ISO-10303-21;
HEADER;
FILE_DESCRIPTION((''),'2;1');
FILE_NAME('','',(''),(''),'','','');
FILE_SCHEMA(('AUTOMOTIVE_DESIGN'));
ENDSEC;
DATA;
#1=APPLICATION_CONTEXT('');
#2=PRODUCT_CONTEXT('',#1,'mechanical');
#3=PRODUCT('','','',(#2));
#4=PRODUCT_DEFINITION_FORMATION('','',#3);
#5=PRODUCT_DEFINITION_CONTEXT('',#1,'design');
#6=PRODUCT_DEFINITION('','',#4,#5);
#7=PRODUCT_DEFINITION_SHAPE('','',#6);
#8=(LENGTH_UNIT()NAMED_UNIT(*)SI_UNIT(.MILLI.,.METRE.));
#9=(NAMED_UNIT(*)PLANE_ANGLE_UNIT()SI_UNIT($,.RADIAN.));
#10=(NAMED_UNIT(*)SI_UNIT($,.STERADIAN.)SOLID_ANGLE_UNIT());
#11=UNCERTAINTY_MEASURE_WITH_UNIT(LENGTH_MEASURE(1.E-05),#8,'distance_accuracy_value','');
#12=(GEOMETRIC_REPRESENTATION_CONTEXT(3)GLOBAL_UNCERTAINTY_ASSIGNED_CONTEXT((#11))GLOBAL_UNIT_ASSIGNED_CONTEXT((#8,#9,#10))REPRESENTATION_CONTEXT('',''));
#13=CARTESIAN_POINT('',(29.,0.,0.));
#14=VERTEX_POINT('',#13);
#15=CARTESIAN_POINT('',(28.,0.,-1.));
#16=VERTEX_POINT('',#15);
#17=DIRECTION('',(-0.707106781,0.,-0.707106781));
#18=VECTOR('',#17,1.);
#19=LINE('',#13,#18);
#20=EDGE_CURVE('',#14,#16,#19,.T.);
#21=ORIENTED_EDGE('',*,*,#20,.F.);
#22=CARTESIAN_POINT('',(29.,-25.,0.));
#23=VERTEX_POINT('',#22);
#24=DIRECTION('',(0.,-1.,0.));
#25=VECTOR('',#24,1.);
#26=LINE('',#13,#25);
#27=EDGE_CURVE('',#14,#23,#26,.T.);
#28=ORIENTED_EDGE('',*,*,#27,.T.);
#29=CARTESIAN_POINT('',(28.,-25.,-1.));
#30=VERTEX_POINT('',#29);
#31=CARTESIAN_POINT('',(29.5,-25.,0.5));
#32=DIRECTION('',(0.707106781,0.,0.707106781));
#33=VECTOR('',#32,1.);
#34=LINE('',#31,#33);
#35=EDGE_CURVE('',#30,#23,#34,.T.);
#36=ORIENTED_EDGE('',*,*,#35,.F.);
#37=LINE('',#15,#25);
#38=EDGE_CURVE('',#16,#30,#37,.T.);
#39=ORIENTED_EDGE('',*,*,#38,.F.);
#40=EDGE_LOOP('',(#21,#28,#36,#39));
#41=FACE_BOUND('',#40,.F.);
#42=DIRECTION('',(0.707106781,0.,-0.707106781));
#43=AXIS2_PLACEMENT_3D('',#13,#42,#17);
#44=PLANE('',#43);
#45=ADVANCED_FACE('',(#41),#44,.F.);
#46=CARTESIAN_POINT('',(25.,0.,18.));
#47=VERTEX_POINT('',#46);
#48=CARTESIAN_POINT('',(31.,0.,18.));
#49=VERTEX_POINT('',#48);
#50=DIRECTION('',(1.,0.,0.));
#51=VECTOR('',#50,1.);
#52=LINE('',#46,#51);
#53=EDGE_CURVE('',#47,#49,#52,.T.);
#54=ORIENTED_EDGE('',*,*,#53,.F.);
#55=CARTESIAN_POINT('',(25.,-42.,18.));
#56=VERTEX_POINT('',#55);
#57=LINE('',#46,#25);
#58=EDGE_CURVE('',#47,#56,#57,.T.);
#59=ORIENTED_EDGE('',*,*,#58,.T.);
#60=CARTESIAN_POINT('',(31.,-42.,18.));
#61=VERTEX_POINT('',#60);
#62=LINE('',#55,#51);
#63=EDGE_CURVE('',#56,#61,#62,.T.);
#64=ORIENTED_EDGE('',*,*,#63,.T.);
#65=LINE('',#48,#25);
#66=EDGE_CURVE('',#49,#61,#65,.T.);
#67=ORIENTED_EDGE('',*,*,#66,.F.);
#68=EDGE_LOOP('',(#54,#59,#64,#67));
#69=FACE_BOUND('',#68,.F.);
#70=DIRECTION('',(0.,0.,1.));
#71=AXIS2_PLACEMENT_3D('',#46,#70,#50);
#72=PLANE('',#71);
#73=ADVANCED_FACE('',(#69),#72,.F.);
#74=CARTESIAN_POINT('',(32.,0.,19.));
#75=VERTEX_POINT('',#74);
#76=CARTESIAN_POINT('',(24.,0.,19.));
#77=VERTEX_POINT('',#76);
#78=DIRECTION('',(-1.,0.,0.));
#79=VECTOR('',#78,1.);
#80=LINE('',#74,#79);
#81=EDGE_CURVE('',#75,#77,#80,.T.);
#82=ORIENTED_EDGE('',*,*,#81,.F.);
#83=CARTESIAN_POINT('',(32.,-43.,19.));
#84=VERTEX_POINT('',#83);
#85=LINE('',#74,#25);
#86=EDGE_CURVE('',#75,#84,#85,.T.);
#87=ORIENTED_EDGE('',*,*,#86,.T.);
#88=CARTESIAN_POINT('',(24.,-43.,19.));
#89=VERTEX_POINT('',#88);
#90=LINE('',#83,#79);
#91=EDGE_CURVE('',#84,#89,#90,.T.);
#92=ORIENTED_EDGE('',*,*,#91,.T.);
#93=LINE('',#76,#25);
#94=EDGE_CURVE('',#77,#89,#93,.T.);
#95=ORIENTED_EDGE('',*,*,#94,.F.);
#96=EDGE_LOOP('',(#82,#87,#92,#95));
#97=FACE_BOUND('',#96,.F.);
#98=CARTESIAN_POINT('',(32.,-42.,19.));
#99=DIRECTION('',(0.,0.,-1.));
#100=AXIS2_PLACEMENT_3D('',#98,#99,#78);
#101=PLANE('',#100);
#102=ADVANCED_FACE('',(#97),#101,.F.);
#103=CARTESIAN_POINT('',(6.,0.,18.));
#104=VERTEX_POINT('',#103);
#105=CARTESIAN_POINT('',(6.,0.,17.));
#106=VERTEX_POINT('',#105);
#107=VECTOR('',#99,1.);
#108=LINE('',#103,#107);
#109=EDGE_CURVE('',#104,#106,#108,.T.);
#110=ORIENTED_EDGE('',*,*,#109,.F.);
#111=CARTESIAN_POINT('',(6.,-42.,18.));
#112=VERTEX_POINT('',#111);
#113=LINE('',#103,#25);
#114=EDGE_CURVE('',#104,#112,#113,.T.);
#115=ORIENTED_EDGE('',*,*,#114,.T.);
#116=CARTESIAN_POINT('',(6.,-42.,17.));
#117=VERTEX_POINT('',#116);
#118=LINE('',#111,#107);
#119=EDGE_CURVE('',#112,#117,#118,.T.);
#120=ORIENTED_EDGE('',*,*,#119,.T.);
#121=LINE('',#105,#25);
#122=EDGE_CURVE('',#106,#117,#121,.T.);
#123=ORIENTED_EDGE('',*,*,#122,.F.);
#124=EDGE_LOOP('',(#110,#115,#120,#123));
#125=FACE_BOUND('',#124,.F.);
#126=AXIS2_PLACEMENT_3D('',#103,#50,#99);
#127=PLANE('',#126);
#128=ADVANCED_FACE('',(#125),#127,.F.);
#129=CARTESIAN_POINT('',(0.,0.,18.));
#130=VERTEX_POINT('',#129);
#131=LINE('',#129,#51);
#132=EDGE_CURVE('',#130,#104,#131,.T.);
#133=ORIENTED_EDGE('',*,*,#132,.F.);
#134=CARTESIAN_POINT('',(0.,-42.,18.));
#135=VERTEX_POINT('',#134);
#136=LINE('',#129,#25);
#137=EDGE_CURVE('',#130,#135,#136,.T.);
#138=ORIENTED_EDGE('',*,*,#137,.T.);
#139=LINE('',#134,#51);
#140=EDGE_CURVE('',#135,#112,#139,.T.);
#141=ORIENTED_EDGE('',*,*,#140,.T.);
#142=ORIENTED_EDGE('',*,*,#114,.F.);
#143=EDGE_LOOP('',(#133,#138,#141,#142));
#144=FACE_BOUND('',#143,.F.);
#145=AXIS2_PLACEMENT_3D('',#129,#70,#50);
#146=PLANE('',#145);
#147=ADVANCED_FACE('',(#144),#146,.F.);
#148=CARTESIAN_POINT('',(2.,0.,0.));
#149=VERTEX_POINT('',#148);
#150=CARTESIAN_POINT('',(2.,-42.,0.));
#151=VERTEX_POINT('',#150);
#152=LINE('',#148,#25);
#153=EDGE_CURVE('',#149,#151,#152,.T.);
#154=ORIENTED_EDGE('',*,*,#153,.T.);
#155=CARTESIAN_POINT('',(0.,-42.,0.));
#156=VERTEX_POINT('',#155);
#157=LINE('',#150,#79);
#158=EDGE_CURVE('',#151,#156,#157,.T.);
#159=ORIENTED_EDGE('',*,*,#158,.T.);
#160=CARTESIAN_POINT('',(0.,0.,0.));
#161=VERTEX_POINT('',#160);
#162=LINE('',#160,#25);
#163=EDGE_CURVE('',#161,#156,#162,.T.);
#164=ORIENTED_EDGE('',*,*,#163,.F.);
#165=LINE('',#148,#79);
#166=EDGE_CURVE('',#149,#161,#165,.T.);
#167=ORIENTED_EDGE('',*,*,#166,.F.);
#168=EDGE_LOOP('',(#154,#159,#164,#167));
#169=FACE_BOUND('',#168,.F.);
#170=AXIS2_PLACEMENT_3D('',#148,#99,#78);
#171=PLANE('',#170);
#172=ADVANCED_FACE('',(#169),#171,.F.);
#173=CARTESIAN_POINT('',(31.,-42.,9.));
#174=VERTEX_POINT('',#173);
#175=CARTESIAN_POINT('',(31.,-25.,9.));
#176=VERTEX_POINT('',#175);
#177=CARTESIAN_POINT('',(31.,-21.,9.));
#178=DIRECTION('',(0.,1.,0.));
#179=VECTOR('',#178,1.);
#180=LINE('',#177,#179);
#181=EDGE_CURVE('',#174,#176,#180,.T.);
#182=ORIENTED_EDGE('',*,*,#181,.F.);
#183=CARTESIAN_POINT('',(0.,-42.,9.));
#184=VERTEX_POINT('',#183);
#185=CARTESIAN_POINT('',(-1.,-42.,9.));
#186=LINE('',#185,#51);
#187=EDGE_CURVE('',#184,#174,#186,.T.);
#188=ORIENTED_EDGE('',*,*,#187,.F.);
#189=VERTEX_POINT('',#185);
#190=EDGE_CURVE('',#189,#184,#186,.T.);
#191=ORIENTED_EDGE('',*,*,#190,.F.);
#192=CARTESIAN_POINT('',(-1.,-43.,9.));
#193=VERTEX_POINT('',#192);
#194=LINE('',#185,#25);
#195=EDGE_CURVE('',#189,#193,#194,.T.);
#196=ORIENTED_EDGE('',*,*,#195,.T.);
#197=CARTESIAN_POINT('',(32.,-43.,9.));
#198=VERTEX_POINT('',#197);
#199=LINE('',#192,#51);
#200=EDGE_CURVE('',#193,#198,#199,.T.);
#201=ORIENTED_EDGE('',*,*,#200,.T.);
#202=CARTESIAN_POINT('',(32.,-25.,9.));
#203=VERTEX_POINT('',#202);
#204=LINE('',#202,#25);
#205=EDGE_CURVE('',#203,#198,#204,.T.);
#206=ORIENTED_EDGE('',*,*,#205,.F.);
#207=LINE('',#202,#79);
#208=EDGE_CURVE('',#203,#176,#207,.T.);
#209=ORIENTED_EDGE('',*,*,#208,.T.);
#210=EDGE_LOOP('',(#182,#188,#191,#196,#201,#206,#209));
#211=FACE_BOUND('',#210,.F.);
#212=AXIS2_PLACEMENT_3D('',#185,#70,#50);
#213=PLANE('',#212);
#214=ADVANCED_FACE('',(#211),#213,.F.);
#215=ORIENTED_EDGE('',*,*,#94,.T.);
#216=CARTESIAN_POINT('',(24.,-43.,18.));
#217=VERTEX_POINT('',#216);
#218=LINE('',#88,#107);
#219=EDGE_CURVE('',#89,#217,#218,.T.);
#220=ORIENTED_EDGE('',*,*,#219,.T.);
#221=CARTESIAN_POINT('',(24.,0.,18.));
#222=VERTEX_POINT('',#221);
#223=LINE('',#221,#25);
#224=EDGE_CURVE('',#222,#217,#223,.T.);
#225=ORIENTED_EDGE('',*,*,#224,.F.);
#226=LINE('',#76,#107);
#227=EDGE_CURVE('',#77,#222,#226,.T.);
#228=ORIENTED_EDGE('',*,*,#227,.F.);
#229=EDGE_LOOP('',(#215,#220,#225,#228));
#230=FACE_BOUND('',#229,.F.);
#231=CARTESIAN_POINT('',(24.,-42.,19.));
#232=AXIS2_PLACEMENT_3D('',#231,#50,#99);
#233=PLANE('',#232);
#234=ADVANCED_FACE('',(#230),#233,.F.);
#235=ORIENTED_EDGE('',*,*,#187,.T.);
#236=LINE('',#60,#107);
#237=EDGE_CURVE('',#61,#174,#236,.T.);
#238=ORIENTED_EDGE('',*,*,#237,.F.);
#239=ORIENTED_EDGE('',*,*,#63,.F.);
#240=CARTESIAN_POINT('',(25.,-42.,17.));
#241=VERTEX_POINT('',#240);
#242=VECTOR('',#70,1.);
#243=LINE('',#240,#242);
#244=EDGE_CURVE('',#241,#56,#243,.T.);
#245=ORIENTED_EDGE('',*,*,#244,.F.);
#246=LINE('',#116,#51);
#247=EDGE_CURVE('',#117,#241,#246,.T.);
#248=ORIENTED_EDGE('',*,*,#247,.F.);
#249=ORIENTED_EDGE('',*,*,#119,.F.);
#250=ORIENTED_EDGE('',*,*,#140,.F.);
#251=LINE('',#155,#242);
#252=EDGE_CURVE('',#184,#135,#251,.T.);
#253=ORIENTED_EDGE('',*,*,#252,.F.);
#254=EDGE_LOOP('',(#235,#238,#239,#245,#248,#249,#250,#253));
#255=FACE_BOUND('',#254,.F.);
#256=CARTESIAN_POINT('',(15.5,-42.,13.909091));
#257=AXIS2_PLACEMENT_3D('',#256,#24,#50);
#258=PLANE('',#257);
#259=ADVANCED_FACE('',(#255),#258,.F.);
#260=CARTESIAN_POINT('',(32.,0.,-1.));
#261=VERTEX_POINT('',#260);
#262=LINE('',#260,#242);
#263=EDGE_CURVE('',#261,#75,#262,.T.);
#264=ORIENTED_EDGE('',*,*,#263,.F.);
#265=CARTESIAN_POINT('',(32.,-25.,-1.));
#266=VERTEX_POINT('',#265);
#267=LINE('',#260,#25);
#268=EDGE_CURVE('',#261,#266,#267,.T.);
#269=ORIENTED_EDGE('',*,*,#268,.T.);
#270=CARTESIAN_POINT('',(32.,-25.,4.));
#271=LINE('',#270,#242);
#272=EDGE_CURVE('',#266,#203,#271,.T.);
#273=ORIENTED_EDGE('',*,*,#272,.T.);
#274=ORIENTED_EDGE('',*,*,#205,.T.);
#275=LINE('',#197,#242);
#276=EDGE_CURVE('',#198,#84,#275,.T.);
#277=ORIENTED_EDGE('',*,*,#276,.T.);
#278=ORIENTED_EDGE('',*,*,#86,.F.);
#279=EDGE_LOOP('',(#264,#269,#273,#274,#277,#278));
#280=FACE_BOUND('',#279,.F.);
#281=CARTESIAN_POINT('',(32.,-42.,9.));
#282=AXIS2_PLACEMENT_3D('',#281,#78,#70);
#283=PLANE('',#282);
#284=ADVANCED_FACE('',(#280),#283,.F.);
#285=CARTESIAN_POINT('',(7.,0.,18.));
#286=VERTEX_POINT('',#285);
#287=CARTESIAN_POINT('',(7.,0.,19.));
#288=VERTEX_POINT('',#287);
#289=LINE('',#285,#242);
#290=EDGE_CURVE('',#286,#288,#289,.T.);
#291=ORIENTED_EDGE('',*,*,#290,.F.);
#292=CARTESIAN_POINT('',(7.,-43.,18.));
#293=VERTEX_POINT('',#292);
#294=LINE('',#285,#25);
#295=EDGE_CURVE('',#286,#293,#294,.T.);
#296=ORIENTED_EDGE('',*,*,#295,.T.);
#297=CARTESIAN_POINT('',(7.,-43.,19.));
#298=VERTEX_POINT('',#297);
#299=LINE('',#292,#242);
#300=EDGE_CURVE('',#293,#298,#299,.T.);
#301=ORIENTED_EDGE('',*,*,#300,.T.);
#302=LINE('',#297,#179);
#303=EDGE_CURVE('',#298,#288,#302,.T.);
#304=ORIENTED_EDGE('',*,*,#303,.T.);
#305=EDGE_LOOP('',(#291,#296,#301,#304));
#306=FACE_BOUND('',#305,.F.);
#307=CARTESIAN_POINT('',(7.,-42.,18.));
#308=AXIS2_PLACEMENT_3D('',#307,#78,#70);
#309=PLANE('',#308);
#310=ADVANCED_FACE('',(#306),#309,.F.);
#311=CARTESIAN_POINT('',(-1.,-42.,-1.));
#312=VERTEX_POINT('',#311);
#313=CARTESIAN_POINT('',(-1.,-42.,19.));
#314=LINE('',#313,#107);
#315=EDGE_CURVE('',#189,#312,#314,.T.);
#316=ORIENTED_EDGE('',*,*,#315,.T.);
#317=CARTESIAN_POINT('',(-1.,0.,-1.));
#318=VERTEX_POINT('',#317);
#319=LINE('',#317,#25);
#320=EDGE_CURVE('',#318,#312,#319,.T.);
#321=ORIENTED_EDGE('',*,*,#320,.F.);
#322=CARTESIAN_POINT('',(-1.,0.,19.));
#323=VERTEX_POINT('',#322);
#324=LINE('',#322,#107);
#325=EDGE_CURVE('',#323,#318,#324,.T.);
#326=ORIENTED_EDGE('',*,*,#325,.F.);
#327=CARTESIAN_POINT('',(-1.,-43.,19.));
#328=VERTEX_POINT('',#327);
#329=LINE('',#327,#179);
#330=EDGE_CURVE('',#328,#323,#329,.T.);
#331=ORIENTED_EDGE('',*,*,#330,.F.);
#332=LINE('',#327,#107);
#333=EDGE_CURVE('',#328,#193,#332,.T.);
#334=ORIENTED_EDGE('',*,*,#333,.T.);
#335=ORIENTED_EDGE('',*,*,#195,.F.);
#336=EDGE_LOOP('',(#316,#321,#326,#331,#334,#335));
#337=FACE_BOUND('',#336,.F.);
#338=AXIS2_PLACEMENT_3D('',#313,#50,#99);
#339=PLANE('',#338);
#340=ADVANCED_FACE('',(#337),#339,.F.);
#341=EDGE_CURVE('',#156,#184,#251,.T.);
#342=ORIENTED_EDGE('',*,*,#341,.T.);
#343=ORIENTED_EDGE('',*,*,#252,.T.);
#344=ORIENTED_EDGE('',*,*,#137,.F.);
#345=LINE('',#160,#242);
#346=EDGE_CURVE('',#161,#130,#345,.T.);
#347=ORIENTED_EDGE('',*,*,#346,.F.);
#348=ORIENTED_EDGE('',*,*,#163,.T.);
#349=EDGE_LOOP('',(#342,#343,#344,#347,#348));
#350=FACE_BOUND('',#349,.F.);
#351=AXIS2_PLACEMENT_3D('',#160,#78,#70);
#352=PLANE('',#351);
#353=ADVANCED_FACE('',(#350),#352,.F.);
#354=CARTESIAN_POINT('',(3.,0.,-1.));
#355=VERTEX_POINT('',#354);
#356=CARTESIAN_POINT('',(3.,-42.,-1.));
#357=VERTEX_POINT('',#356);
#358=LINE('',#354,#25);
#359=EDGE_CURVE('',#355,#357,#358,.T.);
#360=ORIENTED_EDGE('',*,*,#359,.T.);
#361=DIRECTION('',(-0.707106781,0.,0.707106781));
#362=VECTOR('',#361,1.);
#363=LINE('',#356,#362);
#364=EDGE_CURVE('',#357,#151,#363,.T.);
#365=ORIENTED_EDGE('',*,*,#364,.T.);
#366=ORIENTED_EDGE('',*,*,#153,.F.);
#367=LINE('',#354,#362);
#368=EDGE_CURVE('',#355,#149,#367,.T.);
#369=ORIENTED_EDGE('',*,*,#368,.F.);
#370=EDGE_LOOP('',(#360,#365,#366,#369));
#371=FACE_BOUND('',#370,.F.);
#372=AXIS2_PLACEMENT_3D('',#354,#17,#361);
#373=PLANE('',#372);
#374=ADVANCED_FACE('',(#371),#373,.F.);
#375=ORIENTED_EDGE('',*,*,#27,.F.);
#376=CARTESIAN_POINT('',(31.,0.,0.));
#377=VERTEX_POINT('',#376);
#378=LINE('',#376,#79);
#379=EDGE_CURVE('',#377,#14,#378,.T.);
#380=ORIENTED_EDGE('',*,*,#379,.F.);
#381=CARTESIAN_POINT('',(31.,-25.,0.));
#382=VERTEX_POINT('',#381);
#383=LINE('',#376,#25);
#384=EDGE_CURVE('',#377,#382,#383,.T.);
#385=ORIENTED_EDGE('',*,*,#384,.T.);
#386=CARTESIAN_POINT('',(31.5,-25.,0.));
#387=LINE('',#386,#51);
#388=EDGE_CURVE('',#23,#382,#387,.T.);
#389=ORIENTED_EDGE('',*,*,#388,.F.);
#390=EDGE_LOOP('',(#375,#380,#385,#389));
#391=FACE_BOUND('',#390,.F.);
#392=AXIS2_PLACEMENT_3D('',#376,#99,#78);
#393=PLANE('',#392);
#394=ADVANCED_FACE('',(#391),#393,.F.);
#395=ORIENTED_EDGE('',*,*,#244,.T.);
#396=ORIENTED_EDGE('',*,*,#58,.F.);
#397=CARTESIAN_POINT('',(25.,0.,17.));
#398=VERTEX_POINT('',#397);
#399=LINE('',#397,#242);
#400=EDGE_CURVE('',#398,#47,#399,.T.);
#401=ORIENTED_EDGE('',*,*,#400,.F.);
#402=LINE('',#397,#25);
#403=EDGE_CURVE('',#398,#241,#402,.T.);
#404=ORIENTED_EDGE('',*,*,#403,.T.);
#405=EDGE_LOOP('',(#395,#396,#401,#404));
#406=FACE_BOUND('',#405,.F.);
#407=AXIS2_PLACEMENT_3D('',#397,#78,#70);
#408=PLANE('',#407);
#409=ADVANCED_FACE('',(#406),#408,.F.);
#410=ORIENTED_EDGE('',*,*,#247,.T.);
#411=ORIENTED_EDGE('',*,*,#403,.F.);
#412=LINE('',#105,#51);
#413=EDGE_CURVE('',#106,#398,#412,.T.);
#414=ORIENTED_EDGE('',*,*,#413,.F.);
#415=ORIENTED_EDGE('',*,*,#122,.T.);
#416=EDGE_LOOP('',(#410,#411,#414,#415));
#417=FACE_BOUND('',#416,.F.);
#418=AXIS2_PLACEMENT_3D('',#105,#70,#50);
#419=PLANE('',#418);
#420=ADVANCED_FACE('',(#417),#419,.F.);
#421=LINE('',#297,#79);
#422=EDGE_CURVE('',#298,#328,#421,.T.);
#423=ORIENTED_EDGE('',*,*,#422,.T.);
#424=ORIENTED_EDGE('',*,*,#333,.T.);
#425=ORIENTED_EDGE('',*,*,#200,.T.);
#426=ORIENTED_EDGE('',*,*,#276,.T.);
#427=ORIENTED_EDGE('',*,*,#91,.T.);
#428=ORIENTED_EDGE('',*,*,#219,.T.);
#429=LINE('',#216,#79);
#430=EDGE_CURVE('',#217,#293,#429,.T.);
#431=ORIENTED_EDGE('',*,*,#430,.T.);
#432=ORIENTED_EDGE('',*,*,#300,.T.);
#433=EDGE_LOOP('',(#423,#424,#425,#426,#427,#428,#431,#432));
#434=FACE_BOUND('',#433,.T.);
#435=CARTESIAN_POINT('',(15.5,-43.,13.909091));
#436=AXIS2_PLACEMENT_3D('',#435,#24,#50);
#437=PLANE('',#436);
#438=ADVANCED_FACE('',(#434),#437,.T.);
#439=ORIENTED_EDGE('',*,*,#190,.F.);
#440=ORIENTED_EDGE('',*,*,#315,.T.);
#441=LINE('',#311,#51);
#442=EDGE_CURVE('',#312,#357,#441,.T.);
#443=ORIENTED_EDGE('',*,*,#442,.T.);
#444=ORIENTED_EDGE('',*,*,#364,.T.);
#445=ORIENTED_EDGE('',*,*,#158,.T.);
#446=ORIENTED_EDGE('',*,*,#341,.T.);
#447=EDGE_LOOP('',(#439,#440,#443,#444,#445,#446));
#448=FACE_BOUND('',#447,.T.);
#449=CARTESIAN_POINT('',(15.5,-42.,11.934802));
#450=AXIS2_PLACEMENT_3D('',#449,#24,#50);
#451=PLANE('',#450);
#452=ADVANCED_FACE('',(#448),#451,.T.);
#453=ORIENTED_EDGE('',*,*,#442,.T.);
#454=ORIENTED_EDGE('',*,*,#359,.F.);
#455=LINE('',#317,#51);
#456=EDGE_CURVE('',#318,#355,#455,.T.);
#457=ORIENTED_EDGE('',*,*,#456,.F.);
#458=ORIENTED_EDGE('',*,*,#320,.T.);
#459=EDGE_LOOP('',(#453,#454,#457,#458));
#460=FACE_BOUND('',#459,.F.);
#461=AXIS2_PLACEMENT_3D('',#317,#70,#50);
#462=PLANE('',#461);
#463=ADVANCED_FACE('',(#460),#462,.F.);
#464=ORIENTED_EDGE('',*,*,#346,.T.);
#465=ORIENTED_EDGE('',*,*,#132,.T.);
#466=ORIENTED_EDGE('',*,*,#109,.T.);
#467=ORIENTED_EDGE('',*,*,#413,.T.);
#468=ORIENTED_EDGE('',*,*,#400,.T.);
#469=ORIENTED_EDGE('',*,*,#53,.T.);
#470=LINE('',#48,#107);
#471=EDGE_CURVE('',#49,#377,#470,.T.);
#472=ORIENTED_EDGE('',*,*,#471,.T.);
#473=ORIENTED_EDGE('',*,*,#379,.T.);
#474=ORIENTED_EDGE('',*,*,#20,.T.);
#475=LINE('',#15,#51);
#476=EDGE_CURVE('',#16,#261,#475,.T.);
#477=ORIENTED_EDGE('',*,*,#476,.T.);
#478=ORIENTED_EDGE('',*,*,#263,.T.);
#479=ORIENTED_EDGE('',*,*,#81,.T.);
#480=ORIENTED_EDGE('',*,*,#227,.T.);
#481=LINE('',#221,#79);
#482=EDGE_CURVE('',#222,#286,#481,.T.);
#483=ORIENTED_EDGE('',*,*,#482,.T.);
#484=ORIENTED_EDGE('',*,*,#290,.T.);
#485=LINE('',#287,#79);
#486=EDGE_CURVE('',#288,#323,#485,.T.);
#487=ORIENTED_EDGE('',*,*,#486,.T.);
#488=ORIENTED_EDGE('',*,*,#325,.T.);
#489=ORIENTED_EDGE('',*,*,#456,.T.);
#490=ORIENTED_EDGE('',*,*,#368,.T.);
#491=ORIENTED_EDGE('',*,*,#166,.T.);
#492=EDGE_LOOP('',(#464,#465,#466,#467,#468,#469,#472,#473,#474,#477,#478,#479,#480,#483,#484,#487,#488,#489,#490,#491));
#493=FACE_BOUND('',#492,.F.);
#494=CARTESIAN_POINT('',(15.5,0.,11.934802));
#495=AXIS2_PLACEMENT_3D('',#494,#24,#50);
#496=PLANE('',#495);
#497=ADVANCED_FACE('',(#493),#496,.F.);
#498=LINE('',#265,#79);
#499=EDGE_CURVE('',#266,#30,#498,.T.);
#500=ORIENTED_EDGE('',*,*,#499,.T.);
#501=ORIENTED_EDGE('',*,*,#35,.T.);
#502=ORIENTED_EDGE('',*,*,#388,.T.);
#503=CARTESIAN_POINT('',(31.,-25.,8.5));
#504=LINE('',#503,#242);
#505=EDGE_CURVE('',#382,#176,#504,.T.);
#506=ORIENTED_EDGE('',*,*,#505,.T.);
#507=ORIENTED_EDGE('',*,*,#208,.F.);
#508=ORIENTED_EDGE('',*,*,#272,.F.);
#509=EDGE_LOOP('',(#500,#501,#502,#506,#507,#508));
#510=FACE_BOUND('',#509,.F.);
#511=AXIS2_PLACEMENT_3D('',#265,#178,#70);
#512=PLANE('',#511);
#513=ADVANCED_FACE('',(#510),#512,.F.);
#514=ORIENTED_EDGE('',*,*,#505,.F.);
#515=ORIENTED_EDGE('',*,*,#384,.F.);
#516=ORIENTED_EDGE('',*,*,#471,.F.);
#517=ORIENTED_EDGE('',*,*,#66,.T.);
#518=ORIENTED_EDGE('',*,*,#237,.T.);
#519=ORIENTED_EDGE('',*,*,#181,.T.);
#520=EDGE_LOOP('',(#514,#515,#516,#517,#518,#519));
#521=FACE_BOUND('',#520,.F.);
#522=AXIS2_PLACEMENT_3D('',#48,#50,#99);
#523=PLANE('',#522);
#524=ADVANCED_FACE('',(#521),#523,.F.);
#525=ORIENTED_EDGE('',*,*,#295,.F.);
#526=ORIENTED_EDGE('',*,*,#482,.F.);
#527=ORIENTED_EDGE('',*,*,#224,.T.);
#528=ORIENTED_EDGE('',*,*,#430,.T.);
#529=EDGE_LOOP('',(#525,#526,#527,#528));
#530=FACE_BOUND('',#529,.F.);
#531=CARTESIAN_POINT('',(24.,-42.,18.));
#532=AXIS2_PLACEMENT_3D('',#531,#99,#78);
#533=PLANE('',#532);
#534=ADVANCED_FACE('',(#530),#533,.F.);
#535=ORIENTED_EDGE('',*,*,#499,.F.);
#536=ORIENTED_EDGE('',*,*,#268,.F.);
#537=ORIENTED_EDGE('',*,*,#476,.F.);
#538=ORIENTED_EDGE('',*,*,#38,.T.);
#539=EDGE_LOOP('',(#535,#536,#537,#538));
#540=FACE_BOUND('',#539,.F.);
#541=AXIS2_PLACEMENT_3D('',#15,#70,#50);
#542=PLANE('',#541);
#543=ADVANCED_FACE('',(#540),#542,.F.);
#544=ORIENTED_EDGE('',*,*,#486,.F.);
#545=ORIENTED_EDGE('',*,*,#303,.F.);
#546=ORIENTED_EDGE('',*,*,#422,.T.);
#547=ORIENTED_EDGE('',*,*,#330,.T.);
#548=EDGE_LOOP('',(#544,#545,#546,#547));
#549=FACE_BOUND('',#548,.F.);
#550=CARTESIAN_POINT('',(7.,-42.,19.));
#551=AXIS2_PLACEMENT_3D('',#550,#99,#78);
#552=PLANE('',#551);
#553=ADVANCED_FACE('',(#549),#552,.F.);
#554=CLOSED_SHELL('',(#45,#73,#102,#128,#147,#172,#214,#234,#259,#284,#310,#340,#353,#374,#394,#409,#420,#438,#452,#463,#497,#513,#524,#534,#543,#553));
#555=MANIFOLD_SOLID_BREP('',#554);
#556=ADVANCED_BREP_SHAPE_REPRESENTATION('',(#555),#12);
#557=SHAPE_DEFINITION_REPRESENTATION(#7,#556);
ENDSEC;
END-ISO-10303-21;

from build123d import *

# Parameters (mm, degrees)
F1_DEPTH = 42
F2_W     = 17
F2_H     = 10
F3_DEPTH = 5
F5_DEPTH = 1


with BuildPart() as f1:
    # F0 (on Front) → F1 (new body)
    with BuildSketch(Plane.XZ):
        Polygon((2, 0), (0, 0), (0, 18), (6, 18), (6, 17), (25, 17), (25, 18), (31, 18), (31, 0), (29, 0), (28, -1), (32, -1), (32, 19), (24, 19), (24, 18), (7, 18), (7, 19), (-1, 19), (-1, -1), (3, -1), align=None)
    extrude(amount=F1_DEPTH)

    # F2 (on face) → F3 (cut)
    with BuildSketch(Plane.YZ.offset(32)):
        with Locations((-33.5, 4)):
            Rectangle(F2_W, F2_H)
    extrude(amount=-F3_DEPTH, mode=Mode.SUBTRACT)

    # F4 (on face) → F5 (join)
    with BuildSketch(Plane.XZ.offset(42)):
        Polygon((-1, 9), (32, 9), (32, 19), (24, 19), (24, 18), (7, 18), (7, 19), (-1, 19), align=None)
    extrude(amount=F5_DEPTH)


solid = f1.part
